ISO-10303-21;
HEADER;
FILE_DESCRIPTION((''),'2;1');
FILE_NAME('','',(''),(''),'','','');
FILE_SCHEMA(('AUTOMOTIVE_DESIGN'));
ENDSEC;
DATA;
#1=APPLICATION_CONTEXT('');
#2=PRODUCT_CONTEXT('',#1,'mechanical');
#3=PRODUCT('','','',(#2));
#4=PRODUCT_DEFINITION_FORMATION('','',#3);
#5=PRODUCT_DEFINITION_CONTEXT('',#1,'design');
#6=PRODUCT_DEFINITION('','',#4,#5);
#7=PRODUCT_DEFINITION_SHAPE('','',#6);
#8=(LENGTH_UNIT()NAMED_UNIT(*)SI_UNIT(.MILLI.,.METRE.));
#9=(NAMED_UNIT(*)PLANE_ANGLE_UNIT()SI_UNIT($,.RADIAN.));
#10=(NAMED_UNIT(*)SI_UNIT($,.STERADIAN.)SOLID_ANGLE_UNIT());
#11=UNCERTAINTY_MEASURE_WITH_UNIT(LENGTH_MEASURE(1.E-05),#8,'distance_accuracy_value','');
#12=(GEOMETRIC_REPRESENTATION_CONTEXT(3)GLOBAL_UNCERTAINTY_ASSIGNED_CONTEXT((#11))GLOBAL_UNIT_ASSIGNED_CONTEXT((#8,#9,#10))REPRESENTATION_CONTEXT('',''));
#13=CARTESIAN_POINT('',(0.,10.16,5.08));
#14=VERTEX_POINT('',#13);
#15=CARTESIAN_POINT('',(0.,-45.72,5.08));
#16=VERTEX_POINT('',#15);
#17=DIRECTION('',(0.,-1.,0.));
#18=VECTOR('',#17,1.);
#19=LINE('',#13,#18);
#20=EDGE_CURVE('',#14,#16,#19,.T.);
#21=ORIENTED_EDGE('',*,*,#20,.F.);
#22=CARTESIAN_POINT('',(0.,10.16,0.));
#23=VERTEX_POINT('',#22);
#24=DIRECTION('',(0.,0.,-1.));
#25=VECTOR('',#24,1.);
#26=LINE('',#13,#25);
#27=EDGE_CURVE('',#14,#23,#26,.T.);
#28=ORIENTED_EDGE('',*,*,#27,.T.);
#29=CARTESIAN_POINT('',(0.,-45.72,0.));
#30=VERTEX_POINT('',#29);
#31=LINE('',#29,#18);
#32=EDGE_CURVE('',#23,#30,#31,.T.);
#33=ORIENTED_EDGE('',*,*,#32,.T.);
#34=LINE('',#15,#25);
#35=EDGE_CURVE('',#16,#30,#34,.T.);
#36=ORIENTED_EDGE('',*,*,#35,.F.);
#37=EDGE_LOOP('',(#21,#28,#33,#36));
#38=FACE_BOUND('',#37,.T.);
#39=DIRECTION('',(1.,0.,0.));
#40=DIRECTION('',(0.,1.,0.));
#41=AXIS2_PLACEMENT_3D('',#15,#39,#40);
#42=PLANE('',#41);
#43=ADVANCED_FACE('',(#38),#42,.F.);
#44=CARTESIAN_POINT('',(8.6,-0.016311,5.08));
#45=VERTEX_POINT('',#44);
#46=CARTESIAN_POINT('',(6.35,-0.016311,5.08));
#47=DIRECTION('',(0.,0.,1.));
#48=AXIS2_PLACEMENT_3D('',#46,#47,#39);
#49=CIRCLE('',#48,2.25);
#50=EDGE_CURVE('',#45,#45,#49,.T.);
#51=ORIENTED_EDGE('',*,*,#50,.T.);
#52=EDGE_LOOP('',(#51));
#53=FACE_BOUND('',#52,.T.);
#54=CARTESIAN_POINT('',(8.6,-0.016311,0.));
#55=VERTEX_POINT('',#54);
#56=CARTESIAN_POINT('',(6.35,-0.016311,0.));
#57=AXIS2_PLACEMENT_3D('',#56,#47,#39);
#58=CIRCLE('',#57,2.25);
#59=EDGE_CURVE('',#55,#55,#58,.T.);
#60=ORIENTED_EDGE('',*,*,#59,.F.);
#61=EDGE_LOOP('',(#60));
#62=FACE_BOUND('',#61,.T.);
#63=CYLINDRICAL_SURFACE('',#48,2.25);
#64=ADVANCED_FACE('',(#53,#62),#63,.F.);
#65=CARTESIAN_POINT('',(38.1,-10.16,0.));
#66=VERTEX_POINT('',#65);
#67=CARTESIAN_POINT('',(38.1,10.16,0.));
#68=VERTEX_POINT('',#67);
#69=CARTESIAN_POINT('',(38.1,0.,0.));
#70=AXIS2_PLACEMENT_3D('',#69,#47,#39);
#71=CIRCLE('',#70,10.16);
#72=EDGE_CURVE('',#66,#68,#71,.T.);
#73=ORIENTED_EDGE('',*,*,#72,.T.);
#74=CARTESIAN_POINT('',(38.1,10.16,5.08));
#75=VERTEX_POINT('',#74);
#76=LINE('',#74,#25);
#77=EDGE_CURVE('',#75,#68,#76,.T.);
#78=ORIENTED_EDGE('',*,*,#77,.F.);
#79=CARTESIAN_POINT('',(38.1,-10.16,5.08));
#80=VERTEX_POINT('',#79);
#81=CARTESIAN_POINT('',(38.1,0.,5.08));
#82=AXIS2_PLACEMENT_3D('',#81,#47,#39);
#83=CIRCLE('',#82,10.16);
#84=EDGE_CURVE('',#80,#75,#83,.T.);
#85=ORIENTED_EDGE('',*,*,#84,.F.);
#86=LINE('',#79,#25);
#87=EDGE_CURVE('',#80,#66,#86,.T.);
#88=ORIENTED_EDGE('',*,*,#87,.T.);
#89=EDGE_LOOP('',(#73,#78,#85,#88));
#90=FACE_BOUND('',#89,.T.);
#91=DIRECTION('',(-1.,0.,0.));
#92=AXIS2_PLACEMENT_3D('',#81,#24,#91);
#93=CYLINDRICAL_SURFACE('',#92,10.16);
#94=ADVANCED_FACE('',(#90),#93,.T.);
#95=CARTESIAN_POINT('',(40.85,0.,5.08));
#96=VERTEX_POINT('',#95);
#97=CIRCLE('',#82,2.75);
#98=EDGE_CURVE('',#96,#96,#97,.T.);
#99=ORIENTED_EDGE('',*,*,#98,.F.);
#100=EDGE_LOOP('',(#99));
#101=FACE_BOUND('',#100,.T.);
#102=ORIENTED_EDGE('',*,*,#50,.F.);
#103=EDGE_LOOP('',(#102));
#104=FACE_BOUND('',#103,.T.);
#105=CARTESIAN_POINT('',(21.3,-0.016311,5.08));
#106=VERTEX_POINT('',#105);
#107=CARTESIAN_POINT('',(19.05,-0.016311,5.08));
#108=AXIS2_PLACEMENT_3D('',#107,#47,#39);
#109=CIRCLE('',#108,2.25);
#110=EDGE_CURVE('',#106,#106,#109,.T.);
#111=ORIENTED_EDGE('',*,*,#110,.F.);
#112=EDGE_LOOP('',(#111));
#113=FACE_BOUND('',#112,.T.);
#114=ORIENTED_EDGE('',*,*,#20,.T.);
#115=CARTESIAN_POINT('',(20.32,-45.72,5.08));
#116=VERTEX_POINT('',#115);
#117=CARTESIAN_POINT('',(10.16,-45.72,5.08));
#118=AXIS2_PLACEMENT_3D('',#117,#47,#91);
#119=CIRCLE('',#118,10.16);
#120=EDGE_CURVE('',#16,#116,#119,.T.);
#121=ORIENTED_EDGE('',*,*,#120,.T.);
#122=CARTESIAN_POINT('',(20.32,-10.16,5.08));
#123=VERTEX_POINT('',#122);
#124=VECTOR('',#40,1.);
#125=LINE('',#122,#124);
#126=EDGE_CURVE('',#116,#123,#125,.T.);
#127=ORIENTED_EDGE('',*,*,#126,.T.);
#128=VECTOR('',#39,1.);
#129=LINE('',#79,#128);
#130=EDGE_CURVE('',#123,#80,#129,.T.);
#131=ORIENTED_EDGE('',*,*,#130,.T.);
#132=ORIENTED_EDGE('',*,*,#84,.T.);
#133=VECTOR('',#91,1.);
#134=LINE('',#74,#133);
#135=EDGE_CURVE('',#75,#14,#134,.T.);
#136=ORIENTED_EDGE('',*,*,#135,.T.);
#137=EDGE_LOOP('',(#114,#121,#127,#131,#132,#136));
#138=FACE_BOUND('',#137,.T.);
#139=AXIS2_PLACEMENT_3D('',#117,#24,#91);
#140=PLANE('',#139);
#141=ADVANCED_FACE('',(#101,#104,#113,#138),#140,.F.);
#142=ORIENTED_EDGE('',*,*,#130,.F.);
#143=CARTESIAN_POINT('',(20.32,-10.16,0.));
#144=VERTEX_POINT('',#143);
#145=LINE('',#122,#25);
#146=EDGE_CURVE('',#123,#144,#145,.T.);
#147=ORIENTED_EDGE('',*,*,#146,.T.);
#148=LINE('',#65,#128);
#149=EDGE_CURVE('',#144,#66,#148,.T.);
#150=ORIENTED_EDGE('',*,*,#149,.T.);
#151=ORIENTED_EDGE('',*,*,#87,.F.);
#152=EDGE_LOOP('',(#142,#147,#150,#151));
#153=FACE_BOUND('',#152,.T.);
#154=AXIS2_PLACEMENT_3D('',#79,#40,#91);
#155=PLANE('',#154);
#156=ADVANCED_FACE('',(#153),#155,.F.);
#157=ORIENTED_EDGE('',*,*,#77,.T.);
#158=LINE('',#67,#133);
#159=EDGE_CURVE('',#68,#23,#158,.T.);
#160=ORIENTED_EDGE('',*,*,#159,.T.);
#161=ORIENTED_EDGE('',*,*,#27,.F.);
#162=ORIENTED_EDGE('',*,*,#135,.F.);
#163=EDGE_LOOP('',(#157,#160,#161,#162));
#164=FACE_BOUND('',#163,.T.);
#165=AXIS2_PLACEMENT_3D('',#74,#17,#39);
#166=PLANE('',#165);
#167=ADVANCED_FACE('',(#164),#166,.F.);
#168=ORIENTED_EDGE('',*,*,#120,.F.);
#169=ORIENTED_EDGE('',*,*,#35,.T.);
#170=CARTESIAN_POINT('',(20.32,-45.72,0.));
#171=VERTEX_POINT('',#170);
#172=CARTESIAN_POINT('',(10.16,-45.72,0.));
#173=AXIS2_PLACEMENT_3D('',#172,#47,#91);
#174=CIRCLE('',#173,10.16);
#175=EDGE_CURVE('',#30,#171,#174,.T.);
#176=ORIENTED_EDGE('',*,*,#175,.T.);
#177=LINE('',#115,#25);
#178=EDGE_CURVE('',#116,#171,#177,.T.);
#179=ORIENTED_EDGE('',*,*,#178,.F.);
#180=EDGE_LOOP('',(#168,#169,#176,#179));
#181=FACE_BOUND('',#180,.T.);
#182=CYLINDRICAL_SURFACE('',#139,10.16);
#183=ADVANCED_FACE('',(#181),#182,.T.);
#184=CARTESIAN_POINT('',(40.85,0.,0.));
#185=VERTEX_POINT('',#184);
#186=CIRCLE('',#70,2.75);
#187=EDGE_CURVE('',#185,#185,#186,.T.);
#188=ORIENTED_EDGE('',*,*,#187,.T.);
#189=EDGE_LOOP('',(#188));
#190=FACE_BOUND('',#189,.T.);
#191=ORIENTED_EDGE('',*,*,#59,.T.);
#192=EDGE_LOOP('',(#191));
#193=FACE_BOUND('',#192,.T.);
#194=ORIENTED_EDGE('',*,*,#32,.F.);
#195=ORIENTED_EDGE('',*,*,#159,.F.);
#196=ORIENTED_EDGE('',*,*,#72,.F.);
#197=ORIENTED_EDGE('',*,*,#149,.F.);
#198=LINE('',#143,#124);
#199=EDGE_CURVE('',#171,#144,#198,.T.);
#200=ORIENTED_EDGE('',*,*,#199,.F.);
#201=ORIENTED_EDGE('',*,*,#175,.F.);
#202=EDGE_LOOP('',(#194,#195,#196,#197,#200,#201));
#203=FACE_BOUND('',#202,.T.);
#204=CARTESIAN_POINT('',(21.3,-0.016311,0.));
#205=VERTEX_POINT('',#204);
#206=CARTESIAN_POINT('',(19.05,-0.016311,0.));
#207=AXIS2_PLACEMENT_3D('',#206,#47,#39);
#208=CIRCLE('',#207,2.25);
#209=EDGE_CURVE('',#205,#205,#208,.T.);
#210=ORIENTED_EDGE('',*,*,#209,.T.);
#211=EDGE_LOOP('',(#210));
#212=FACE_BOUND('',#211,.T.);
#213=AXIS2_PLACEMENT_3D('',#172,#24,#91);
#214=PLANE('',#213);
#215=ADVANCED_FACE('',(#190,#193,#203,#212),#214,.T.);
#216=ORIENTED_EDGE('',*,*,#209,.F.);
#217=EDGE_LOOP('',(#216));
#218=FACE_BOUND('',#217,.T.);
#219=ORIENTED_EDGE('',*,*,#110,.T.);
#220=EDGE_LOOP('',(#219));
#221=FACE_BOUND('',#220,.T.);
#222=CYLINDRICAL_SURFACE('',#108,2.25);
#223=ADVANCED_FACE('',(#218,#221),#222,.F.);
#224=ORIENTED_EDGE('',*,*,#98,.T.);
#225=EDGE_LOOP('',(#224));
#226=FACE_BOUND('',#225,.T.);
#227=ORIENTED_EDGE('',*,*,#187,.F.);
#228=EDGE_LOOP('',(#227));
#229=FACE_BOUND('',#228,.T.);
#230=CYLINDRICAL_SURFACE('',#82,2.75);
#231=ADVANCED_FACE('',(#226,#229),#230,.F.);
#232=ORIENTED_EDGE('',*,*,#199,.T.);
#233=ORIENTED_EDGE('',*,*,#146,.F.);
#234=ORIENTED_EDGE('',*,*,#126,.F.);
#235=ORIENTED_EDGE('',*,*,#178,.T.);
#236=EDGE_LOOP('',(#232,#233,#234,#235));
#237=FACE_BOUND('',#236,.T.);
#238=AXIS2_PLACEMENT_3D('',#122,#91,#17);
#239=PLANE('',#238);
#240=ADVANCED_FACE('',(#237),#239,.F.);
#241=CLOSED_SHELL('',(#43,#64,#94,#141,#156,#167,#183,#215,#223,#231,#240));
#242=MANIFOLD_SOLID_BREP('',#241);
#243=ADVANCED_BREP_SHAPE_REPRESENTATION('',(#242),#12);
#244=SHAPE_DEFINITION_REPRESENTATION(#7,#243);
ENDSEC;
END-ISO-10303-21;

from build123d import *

# Parameters (mm, degrees)
BOSS_EXTRUDE1_DEPTH  = 5.08
M5_CLEARANCE_HOLE1_D = 5.5
M4_CLEARANCE_HOLE1_D = 4.5


with BuildPart() as part:
    # Sketch1 → Boss-Extrude1 (new body)
    with BuildSketch(Plane.XY):
        with BuildLine():
            Line((0, 10.16), (0, -10.16))
            Line((0, -10.16), (0, -45.72))
            ThreePointArc((0, -45.72), (10.16, -55.88), (20.32, -45.72))
            Line((20.32, -45.72), (20.32, -10.16))
            Line((20.32, -10.16), (38.1, -10.16))
            ThreePointArc((38.1, -10.16), (48.26, 0), (38.1, 10.16))
            Line((38.1, 10.16), (0, 10.16))
        make_face()
    extrude(amount=BOSS_EXTRUDE1_DEPTH)

    # M5 Clearance Hole1 (through all)
    with Locations(Plane.XY.offset(5.08)):
        with Locations((38.1, 0)):
            Hole(M5_CLEARANCE_HOLE1_D / 2)

    # M4 Clearance Hole1 (through all)
    with Locations(Plane.XY.offset(5.08)):
        with Locations((19.05, -0.016311357), (6.35, -0.016311357)):
            Hole(M4_CLEARANCE_HOLE1_D / 2)


solid = part.part
